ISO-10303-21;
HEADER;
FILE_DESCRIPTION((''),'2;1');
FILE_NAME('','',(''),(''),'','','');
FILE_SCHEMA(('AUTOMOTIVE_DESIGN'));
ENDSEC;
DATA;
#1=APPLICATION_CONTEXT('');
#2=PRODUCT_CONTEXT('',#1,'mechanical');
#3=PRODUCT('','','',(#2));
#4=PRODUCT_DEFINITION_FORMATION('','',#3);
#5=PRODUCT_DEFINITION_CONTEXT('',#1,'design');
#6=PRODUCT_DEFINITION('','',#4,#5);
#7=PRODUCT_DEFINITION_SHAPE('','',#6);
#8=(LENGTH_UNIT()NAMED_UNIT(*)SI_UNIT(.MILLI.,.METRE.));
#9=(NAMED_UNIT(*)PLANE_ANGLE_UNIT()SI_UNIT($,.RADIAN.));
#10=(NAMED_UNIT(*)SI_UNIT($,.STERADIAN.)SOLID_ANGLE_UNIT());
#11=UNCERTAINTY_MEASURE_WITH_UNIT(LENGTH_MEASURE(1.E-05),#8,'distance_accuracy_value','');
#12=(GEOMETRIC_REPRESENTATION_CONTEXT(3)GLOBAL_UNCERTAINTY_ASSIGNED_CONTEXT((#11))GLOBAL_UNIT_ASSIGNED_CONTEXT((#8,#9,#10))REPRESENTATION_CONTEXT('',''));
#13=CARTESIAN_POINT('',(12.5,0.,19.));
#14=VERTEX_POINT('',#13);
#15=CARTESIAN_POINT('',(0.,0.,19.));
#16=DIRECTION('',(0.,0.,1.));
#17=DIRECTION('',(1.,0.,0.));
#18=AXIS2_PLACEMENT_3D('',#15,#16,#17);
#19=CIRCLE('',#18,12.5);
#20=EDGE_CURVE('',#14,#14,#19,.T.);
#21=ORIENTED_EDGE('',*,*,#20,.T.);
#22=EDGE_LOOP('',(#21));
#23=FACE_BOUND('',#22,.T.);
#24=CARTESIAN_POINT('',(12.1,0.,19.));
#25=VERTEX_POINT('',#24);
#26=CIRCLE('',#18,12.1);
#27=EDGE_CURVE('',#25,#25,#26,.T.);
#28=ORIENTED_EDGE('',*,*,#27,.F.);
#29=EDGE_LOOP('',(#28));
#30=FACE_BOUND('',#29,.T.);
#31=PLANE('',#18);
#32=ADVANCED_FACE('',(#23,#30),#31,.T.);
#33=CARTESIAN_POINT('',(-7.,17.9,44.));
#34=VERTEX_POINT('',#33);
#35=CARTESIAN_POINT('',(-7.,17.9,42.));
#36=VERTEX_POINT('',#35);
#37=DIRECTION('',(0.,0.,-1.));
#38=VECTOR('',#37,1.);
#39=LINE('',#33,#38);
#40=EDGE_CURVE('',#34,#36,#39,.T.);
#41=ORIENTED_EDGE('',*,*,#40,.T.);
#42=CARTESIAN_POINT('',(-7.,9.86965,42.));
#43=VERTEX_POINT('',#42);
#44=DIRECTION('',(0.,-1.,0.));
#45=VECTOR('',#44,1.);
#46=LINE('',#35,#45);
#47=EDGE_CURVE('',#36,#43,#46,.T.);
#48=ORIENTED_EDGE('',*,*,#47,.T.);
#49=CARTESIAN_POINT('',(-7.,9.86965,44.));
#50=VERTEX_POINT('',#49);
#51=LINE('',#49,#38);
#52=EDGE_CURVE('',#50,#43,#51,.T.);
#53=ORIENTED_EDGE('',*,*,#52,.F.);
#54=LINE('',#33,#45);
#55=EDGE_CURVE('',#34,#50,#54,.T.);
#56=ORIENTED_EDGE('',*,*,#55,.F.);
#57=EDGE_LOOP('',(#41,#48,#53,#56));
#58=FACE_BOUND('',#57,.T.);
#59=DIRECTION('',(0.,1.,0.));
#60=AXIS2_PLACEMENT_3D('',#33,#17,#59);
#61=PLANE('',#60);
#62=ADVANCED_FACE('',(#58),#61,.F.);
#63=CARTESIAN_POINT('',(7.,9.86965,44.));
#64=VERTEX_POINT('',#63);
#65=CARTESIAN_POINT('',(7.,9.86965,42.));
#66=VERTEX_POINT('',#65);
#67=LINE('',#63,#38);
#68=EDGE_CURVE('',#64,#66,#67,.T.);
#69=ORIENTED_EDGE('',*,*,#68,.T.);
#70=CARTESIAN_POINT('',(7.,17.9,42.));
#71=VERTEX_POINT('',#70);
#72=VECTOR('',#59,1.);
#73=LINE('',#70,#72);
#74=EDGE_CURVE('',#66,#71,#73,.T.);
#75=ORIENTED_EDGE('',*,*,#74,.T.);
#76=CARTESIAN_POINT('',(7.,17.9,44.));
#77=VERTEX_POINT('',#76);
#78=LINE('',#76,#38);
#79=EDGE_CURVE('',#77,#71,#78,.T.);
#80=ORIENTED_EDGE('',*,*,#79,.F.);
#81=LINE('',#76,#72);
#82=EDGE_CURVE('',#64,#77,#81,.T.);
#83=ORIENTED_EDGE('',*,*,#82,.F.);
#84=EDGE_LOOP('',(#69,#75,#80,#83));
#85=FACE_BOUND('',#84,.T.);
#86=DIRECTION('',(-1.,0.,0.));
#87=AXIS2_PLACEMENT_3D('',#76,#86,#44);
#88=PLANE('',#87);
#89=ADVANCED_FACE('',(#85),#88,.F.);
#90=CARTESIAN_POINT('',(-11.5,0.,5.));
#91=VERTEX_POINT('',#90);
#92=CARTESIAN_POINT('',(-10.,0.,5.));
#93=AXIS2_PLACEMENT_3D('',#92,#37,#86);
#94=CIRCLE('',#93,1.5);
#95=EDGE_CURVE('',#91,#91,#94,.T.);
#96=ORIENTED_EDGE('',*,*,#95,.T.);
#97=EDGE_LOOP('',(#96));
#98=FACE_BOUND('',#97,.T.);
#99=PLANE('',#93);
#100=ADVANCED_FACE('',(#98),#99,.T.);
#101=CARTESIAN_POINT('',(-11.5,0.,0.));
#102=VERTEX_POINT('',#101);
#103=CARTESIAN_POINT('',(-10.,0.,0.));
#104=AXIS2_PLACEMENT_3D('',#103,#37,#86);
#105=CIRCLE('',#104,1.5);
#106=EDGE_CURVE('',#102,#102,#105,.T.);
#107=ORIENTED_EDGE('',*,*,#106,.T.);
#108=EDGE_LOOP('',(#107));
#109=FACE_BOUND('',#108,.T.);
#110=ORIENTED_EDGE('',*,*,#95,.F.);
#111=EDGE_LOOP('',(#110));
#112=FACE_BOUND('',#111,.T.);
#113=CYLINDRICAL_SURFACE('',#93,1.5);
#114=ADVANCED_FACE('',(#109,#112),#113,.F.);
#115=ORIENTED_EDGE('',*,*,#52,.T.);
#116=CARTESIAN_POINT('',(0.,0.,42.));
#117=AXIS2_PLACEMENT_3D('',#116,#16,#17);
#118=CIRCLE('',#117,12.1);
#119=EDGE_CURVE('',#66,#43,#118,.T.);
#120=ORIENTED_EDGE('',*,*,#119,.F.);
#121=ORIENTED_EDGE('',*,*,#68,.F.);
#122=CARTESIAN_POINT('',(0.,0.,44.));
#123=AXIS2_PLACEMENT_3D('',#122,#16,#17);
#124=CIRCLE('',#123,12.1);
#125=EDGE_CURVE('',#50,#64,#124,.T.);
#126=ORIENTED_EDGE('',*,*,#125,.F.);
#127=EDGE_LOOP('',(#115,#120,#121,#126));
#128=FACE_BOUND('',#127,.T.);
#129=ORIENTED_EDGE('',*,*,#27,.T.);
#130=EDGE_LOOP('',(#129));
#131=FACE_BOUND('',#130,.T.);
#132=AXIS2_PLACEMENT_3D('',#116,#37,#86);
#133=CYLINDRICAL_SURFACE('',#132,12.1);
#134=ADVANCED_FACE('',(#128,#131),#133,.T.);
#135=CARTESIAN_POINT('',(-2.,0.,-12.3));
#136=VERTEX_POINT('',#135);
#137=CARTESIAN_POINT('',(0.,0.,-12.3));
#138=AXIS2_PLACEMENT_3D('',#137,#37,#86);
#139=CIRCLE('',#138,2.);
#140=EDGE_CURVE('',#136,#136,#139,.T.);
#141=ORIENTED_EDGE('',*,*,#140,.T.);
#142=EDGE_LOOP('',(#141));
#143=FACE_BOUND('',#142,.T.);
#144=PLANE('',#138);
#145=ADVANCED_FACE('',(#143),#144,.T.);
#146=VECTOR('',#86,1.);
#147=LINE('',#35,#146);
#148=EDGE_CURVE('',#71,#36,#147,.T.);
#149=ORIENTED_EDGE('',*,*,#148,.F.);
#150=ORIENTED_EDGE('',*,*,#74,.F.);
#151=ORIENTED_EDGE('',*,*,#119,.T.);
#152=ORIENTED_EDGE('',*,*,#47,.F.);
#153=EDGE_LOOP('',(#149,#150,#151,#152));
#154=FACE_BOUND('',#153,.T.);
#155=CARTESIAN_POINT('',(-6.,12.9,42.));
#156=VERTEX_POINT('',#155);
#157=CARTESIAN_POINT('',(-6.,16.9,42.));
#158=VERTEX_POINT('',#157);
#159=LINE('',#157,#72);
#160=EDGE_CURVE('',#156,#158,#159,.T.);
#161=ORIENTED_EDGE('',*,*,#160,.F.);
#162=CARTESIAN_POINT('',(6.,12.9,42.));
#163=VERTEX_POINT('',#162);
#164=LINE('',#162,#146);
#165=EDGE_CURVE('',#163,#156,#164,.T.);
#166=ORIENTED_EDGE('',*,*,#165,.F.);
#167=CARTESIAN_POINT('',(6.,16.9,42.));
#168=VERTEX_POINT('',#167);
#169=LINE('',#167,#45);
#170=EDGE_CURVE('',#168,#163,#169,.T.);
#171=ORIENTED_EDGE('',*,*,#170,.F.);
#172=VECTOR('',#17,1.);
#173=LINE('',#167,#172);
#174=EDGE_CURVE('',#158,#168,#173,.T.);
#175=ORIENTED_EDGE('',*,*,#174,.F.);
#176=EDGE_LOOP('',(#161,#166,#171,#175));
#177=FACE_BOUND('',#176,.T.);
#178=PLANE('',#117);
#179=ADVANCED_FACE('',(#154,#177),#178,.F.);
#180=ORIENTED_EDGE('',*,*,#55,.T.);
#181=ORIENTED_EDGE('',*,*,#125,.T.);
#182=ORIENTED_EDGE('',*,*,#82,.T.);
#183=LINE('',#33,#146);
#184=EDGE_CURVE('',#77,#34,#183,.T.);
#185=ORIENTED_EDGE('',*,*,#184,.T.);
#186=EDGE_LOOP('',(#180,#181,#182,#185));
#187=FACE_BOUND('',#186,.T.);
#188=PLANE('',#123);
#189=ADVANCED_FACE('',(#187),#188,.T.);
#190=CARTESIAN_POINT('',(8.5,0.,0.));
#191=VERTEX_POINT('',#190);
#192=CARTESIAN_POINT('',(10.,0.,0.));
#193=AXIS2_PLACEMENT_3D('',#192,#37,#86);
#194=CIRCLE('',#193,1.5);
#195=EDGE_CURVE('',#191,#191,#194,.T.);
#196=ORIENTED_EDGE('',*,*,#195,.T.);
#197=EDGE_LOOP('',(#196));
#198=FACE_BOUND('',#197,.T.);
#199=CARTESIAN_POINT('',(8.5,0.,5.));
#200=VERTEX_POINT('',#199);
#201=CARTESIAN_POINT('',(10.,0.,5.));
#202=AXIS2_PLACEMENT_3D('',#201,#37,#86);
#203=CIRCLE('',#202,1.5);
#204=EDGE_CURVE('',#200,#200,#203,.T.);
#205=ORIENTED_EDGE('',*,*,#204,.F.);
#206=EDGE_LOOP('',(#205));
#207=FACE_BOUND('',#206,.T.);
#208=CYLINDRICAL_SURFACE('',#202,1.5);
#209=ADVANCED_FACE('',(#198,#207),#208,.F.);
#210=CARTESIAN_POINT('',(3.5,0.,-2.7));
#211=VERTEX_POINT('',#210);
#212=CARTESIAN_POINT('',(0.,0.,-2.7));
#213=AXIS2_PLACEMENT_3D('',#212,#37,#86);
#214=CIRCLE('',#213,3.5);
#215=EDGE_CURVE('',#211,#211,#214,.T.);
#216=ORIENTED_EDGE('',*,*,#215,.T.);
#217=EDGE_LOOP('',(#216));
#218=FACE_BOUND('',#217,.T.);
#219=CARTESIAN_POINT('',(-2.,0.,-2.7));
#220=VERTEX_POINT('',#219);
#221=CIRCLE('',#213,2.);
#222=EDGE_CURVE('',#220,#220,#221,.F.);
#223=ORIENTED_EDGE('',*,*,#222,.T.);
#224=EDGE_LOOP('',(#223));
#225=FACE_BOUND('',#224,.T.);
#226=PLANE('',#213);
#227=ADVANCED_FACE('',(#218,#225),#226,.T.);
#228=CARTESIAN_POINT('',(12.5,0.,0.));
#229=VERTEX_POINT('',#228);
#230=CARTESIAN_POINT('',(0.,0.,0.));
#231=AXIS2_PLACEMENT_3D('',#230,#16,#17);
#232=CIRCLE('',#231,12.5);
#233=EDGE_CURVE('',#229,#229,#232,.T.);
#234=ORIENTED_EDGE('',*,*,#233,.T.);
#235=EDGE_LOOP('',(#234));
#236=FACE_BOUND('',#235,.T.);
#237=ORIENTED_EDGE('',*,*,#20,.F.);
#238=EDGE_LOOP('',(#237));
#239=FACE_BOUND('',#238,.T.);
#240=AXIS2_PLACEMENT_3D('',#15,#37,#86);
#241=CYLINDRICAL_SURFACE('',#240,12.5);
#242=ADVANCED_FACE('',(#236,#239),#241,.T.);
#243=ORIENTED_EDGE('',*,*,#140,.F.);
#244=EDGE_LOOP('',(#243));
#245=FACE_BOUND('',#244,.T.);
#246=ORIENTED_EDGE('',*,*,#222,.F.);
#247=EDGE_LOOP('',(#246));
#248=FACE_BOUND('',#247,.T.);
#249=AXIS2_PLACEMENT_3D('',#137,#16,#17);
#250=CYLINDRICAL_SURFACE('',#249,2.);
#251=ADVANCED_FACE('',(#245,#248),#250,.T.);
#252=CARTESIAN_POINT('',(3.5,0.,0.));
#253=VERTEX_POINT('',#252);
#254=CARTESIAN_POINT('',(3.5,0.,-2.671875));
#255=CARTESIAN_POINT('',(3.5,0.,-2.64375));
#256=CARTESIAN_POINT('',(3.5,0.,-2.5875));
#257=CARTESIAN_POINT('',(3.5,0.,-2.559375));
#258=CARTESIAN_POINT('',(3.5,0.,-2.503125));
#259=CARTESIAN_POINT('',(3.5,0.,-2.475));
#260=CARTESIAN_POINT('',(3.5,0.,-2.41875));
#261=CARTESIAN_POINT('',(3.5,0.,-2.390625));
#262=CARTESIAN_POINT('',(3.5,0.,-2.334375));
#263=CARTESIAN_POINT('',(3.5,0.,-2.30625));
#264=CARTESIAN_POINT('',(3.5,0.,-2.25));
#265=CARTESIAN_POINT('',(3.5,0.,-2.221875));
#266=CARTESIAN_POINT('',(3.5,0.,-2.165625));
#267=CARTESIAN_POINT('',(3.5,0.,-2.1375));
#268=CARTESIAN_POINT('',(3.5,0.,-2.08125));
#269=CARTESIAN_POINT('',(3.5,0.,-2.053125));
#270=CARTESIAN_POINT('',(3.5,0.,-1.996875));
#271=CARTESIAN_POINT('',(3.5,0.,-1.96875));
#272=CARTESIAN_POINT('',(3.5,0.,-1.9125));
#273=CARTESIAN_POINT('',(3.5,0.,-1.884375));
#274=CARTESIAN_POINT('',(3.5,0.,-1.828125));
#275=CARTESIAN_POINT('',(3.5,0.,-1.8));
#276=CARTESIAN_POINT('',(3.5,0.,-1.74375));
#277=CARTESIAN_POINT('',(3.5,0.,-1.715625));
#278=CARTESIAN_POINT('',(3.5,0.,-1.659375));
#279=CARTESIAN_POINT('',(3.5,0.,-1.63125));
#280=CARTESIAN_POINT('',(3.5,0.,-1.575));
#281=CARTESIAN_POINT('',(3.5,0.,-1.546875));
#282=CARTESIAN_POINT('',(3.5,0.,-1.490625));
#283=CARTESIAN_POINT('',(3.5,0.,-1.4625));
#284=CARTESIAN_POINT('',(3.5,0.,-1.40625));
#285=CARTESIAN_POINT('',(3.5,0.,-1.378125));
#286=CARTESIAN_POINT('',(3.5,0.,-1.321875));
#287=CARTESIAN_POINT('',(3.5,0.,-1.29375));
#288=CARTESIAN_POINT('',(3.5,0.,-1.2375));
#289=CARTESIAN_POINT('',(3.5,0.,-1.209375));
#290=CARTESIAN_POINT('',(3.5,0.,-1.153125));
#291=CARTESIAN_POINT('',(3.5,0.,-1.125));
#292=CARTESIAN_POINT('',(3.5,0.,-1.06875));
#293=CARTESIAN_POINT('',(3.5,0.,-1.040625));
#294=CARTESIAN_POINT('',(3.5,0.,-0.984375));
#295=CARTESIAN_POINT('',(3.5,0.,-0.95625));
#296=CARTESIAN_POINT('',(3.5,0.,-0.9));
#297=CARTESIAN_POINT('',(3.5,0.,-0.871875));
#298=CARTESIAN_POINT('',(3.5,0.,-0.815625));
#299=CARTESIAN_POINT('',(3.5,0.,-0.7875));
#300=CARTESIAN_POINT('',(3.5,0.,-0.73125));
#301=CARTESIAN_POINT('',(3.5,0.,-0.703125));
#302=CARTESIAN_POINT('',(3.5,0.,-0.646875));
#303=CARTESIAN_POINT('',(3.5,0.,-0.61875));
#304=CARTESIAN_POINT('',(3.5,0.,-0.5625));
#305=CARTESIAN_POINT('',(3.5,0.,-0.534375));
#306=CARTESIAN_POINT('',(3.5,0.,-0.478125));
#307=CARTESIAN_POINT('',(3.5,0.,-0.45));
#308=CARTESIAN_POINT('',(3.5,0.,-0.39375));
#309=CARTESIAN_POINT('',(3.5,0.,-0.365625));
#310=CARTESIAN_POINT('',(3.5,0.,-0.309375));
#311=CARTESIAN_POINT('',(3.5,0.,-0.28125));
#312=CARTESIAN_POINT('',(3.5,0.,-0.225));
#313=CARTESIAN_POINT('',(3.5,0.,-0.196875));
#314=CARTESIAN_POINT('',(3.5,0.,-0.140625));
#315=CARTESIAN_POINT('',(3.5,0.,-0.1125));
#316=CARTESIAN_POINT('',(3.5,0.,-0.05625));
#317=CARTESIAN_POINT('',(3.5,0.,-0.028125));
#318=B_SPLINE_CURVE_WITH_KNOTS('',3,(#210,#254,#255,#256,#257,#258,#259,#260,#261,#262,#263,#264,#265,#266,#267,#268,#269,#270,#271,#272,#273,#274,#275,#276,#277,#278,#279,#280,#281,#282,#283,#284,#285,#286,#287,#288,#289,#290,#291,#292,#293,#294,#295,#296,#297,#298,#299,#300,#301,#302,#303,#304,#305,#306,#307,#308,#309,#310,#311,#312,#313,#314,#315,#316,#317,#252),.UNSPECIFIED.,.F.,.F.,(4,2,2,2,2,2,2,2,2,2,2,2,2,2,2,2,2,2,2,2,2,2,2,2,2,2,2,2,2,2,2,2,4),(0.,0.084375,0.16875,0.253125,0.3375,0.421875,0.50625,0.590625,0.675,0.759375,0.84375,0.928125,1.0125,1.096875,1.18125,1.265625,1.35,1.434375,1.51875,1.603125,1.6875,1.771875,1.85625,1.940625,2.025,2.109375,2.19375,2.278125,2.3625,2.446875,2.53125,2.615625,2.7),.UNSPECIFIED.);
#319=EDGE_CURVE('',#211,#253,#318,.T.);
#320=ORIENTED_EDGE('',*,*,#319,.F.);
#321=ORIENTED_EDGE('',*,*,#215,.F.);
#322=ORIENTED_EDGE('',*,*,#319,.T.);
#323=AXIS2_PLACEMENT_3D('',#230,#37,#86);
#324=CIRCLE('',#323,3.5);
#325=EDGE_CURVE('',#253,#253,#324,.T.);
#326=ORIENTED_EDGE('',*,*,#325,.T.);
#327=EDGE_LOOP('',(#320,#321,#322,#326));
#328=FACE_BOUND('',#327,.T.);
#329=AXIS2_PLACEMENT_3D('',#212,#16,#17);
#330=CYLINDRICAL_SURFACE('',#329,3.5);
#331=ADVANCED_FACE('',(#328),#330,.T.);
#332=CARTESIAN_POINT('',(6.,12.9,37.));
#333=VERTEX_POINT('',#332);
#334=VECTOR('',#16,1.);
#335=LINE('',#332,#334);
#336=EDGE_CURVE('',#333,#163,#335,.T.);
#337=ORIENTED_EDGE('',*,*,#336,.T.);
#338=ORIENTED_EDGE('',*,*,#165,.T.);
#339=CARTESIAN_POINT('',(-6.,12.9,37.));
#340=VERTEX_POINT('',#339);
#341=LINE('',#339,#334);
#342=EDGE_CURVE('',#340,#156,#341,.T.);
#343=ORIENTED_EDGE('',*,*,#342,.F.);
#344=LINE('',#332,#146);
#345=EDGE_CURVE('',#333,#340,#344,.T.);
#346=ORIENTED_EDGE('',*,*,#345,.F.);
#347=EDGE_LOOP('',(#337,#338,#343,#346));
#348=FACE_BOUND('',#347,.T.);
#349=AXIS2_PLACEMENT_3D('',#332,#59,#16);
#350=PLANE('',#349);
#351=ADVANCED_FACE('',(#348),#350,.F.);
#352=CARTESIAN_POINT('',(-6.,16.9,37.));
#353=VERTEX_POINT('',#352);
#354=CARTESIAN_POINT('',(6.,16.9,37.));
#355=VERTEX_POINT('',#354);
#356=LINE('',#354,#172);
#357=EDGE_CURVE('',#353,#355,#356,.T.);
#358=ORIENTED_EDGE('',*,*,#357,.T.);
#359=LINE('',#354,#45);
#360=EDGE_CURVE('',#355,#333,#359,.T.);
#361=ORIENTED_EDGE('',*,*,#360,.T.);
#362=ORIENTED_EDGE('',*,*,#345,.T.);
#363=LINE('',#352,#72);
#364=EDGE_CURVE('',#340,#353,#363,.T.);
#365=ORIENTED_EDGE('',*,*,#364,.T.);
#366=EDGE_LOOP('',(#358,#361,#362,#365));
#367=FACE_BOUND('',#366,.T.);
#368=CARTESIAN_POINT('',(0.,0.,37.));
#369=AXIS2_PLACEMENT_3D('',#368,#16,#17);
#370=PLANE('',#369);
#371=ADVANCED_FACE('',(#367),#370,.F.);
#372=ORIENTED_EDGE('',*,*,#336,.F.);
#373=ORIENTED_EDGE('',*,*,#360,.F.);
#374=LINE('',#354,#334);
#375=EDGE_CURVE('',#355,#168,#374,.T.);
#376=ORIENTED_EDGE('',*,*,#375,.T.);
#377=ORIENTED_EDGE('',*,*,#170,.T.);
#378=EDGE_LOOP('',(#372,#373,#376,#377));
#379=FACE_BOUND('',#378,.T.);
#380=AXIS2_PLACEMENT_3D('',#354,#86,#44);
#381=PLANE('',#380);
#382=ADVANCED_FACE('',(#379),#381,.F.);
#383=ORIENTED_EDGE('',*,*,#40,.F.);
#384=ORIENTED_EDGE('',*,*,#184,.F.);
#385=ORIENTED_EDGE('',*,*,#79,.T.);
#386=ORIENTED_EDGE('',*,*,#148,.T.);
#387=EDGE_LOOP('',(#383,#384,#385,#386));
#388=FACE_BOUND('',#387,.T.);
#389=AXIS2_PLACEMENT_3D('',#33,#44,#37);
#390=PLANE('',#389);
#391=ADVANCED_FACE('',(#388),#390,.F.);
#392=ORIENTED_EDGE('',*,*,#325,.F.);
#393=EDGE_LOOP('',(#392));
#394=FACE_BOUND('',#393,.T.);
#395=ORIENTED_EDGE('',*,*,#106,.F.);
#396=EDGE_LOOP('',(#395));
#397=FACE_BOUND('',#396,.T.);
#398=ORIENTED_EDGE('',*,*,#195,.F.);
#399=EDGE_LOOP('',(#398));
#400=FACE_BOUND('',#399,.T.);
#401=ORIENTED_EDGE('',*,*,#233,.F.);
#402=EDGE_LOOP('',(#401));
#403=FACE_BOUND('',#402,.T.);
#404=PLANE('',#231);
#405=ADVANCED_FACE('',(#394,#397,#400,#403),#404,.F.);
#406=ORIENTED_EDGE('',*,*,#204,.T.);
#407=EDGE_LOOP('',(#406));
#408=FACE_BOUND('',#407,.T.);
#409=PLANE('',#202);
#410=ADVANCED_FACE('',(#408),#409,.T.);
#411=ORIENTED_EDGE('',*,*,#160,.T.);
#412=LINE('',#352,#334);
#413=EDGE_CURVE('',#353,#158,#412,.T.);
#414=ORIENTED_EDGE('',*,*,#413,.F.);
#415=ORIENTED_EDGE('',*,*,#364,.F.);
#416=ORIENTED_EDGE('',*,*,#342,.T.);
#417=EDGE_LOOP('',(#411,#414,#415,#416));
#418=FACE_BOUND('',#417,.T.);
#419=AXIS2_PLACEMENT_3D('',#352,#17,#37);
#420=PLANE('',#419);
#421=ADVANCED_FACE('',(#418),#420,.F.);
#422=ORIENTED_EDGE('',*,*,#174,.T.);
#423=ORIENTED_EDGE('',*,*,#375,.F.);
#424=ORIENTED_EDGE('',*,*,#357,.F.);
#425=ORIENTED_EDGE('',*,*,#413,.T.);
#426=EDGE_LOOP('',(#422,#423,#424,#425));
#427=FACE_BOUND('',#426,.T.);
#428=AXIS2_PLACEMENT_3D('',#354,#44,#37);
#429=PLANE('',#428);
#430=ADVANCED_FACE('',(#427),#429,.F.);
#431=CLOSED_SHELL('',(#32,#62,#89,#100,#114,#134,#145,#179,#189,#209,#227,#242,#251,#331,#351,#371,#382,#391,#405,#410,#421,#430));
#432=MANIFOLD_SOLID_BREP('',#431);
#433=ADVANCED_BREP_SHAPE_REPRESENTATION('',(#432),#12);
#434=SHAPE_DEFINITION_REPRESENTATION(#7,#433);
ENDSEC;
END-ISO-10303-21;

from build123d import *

# Parameters (mm, degrees)
SKETCH1_R           = 12.5
BOSS_EXTRUDE1_DEPTH = 19
SKETCH2_R           = 12.1
BOSS_EXTRUDE2_DEPTH = 23
BOSS_EXTRUDE3_DEPTH = 2
SKETCH4_W           = 12
SKETCH4_H           = 4
BOSS_EXTRUDE4_DEPTH = 5
SKETCH5_R           = 3.5
BOSS_EXTRUDE5_DEPTH = 2.7
SKETCH6_R           = 2
BOSS_EXTRUDE6_DEPTH = 12.3
SKETCH7_R           = 1.5
CUT_EXTRUDE1_DEPTH  = 5


with BuildPart() as part:
    # Sketch1 → Boss-Extrude1 (new body)
    with BuildSketch(Plane.XY):
        Circle(SKETCH1_R)
    extrude(amount=BOSS_EXTRUDE1_DEPTH)

    # Sketch2 → Boss-Extrude2 (add)
    with BuildSketch(Plane.XY.offset(19)):
        Circle(SKETCH2_R)
    extrude(amount=BOSS_EXTRUDE2_DEPTH)

    # Sketch3 → Boss-Extrude3 (add)
    with BuildSketch(Plane.XY.offset(42)):
        with BuildLine():
            Line((-7, 17.9), (7, 17.9))
            Line((7, 17.9), (7, 9.86965045))
            ThreePointArc((7, 9.86965045), (0, -12.1), (-7, 9.86965045))
            Line((-7, 9.86965045), (-7, 17.9))
        make_face()
    extrude(amount=BOSS_EXTRUDE3_DEPTH)

    # Sketch4 → Boss-Extrude4 (add)
    with BuildSketch(Plane(origin=(0, 0, 42), x_dir=(-1, 0, 0), z_dir=(0, 0, -1))):
        with Locations((0, 14.9)):
            Rectangle(SKETCH4_W, SKETCH4_H)
    extrude(amount=BOSS_EXTRUDE4_DEPTH)

    # Sketch5 → Boss-Extrude5 (add)
    with BuildSketch(Plane(origin=(0, 0, 0), x_dir=(-1, 0, 0), z_dir=(0, 0, -1))):
        with Locations(Location((0, 0, 0), (0, 0, 180))):
            Circle(SKETCH5_R)
    extrude(amount=BOSS_EXTRUDE5_DEPTH)

    # Sketch6 → Boss-Extrude6 (add)
    with BuildSketch(Plane(origin=(0, 0, 0), x_dir=(-1, 0, 0), z_dir=(0, 0, -1))):
        Circle(SKETCH6_R)
    extrude(amount=BOSS_EXTRUDE6_DEPTH)

    # Sketch7 → Cut-Extrude1 (cut)
    with BuildSketch(Plane(origin=(0, 0, 0), x_dir=(-1, 0, 0), z_dir=(0, 0, -1))):
        with Locations((10, 0)):
            Circle(SKETCH7_R)
        with Locations((-10, 0)):
            Circle(SKETCH7_R)
    extrude(amount=-CUT_EXTRUDE1_DEPTH, mode=Mode.SUBTRACT)


solid = part.part
